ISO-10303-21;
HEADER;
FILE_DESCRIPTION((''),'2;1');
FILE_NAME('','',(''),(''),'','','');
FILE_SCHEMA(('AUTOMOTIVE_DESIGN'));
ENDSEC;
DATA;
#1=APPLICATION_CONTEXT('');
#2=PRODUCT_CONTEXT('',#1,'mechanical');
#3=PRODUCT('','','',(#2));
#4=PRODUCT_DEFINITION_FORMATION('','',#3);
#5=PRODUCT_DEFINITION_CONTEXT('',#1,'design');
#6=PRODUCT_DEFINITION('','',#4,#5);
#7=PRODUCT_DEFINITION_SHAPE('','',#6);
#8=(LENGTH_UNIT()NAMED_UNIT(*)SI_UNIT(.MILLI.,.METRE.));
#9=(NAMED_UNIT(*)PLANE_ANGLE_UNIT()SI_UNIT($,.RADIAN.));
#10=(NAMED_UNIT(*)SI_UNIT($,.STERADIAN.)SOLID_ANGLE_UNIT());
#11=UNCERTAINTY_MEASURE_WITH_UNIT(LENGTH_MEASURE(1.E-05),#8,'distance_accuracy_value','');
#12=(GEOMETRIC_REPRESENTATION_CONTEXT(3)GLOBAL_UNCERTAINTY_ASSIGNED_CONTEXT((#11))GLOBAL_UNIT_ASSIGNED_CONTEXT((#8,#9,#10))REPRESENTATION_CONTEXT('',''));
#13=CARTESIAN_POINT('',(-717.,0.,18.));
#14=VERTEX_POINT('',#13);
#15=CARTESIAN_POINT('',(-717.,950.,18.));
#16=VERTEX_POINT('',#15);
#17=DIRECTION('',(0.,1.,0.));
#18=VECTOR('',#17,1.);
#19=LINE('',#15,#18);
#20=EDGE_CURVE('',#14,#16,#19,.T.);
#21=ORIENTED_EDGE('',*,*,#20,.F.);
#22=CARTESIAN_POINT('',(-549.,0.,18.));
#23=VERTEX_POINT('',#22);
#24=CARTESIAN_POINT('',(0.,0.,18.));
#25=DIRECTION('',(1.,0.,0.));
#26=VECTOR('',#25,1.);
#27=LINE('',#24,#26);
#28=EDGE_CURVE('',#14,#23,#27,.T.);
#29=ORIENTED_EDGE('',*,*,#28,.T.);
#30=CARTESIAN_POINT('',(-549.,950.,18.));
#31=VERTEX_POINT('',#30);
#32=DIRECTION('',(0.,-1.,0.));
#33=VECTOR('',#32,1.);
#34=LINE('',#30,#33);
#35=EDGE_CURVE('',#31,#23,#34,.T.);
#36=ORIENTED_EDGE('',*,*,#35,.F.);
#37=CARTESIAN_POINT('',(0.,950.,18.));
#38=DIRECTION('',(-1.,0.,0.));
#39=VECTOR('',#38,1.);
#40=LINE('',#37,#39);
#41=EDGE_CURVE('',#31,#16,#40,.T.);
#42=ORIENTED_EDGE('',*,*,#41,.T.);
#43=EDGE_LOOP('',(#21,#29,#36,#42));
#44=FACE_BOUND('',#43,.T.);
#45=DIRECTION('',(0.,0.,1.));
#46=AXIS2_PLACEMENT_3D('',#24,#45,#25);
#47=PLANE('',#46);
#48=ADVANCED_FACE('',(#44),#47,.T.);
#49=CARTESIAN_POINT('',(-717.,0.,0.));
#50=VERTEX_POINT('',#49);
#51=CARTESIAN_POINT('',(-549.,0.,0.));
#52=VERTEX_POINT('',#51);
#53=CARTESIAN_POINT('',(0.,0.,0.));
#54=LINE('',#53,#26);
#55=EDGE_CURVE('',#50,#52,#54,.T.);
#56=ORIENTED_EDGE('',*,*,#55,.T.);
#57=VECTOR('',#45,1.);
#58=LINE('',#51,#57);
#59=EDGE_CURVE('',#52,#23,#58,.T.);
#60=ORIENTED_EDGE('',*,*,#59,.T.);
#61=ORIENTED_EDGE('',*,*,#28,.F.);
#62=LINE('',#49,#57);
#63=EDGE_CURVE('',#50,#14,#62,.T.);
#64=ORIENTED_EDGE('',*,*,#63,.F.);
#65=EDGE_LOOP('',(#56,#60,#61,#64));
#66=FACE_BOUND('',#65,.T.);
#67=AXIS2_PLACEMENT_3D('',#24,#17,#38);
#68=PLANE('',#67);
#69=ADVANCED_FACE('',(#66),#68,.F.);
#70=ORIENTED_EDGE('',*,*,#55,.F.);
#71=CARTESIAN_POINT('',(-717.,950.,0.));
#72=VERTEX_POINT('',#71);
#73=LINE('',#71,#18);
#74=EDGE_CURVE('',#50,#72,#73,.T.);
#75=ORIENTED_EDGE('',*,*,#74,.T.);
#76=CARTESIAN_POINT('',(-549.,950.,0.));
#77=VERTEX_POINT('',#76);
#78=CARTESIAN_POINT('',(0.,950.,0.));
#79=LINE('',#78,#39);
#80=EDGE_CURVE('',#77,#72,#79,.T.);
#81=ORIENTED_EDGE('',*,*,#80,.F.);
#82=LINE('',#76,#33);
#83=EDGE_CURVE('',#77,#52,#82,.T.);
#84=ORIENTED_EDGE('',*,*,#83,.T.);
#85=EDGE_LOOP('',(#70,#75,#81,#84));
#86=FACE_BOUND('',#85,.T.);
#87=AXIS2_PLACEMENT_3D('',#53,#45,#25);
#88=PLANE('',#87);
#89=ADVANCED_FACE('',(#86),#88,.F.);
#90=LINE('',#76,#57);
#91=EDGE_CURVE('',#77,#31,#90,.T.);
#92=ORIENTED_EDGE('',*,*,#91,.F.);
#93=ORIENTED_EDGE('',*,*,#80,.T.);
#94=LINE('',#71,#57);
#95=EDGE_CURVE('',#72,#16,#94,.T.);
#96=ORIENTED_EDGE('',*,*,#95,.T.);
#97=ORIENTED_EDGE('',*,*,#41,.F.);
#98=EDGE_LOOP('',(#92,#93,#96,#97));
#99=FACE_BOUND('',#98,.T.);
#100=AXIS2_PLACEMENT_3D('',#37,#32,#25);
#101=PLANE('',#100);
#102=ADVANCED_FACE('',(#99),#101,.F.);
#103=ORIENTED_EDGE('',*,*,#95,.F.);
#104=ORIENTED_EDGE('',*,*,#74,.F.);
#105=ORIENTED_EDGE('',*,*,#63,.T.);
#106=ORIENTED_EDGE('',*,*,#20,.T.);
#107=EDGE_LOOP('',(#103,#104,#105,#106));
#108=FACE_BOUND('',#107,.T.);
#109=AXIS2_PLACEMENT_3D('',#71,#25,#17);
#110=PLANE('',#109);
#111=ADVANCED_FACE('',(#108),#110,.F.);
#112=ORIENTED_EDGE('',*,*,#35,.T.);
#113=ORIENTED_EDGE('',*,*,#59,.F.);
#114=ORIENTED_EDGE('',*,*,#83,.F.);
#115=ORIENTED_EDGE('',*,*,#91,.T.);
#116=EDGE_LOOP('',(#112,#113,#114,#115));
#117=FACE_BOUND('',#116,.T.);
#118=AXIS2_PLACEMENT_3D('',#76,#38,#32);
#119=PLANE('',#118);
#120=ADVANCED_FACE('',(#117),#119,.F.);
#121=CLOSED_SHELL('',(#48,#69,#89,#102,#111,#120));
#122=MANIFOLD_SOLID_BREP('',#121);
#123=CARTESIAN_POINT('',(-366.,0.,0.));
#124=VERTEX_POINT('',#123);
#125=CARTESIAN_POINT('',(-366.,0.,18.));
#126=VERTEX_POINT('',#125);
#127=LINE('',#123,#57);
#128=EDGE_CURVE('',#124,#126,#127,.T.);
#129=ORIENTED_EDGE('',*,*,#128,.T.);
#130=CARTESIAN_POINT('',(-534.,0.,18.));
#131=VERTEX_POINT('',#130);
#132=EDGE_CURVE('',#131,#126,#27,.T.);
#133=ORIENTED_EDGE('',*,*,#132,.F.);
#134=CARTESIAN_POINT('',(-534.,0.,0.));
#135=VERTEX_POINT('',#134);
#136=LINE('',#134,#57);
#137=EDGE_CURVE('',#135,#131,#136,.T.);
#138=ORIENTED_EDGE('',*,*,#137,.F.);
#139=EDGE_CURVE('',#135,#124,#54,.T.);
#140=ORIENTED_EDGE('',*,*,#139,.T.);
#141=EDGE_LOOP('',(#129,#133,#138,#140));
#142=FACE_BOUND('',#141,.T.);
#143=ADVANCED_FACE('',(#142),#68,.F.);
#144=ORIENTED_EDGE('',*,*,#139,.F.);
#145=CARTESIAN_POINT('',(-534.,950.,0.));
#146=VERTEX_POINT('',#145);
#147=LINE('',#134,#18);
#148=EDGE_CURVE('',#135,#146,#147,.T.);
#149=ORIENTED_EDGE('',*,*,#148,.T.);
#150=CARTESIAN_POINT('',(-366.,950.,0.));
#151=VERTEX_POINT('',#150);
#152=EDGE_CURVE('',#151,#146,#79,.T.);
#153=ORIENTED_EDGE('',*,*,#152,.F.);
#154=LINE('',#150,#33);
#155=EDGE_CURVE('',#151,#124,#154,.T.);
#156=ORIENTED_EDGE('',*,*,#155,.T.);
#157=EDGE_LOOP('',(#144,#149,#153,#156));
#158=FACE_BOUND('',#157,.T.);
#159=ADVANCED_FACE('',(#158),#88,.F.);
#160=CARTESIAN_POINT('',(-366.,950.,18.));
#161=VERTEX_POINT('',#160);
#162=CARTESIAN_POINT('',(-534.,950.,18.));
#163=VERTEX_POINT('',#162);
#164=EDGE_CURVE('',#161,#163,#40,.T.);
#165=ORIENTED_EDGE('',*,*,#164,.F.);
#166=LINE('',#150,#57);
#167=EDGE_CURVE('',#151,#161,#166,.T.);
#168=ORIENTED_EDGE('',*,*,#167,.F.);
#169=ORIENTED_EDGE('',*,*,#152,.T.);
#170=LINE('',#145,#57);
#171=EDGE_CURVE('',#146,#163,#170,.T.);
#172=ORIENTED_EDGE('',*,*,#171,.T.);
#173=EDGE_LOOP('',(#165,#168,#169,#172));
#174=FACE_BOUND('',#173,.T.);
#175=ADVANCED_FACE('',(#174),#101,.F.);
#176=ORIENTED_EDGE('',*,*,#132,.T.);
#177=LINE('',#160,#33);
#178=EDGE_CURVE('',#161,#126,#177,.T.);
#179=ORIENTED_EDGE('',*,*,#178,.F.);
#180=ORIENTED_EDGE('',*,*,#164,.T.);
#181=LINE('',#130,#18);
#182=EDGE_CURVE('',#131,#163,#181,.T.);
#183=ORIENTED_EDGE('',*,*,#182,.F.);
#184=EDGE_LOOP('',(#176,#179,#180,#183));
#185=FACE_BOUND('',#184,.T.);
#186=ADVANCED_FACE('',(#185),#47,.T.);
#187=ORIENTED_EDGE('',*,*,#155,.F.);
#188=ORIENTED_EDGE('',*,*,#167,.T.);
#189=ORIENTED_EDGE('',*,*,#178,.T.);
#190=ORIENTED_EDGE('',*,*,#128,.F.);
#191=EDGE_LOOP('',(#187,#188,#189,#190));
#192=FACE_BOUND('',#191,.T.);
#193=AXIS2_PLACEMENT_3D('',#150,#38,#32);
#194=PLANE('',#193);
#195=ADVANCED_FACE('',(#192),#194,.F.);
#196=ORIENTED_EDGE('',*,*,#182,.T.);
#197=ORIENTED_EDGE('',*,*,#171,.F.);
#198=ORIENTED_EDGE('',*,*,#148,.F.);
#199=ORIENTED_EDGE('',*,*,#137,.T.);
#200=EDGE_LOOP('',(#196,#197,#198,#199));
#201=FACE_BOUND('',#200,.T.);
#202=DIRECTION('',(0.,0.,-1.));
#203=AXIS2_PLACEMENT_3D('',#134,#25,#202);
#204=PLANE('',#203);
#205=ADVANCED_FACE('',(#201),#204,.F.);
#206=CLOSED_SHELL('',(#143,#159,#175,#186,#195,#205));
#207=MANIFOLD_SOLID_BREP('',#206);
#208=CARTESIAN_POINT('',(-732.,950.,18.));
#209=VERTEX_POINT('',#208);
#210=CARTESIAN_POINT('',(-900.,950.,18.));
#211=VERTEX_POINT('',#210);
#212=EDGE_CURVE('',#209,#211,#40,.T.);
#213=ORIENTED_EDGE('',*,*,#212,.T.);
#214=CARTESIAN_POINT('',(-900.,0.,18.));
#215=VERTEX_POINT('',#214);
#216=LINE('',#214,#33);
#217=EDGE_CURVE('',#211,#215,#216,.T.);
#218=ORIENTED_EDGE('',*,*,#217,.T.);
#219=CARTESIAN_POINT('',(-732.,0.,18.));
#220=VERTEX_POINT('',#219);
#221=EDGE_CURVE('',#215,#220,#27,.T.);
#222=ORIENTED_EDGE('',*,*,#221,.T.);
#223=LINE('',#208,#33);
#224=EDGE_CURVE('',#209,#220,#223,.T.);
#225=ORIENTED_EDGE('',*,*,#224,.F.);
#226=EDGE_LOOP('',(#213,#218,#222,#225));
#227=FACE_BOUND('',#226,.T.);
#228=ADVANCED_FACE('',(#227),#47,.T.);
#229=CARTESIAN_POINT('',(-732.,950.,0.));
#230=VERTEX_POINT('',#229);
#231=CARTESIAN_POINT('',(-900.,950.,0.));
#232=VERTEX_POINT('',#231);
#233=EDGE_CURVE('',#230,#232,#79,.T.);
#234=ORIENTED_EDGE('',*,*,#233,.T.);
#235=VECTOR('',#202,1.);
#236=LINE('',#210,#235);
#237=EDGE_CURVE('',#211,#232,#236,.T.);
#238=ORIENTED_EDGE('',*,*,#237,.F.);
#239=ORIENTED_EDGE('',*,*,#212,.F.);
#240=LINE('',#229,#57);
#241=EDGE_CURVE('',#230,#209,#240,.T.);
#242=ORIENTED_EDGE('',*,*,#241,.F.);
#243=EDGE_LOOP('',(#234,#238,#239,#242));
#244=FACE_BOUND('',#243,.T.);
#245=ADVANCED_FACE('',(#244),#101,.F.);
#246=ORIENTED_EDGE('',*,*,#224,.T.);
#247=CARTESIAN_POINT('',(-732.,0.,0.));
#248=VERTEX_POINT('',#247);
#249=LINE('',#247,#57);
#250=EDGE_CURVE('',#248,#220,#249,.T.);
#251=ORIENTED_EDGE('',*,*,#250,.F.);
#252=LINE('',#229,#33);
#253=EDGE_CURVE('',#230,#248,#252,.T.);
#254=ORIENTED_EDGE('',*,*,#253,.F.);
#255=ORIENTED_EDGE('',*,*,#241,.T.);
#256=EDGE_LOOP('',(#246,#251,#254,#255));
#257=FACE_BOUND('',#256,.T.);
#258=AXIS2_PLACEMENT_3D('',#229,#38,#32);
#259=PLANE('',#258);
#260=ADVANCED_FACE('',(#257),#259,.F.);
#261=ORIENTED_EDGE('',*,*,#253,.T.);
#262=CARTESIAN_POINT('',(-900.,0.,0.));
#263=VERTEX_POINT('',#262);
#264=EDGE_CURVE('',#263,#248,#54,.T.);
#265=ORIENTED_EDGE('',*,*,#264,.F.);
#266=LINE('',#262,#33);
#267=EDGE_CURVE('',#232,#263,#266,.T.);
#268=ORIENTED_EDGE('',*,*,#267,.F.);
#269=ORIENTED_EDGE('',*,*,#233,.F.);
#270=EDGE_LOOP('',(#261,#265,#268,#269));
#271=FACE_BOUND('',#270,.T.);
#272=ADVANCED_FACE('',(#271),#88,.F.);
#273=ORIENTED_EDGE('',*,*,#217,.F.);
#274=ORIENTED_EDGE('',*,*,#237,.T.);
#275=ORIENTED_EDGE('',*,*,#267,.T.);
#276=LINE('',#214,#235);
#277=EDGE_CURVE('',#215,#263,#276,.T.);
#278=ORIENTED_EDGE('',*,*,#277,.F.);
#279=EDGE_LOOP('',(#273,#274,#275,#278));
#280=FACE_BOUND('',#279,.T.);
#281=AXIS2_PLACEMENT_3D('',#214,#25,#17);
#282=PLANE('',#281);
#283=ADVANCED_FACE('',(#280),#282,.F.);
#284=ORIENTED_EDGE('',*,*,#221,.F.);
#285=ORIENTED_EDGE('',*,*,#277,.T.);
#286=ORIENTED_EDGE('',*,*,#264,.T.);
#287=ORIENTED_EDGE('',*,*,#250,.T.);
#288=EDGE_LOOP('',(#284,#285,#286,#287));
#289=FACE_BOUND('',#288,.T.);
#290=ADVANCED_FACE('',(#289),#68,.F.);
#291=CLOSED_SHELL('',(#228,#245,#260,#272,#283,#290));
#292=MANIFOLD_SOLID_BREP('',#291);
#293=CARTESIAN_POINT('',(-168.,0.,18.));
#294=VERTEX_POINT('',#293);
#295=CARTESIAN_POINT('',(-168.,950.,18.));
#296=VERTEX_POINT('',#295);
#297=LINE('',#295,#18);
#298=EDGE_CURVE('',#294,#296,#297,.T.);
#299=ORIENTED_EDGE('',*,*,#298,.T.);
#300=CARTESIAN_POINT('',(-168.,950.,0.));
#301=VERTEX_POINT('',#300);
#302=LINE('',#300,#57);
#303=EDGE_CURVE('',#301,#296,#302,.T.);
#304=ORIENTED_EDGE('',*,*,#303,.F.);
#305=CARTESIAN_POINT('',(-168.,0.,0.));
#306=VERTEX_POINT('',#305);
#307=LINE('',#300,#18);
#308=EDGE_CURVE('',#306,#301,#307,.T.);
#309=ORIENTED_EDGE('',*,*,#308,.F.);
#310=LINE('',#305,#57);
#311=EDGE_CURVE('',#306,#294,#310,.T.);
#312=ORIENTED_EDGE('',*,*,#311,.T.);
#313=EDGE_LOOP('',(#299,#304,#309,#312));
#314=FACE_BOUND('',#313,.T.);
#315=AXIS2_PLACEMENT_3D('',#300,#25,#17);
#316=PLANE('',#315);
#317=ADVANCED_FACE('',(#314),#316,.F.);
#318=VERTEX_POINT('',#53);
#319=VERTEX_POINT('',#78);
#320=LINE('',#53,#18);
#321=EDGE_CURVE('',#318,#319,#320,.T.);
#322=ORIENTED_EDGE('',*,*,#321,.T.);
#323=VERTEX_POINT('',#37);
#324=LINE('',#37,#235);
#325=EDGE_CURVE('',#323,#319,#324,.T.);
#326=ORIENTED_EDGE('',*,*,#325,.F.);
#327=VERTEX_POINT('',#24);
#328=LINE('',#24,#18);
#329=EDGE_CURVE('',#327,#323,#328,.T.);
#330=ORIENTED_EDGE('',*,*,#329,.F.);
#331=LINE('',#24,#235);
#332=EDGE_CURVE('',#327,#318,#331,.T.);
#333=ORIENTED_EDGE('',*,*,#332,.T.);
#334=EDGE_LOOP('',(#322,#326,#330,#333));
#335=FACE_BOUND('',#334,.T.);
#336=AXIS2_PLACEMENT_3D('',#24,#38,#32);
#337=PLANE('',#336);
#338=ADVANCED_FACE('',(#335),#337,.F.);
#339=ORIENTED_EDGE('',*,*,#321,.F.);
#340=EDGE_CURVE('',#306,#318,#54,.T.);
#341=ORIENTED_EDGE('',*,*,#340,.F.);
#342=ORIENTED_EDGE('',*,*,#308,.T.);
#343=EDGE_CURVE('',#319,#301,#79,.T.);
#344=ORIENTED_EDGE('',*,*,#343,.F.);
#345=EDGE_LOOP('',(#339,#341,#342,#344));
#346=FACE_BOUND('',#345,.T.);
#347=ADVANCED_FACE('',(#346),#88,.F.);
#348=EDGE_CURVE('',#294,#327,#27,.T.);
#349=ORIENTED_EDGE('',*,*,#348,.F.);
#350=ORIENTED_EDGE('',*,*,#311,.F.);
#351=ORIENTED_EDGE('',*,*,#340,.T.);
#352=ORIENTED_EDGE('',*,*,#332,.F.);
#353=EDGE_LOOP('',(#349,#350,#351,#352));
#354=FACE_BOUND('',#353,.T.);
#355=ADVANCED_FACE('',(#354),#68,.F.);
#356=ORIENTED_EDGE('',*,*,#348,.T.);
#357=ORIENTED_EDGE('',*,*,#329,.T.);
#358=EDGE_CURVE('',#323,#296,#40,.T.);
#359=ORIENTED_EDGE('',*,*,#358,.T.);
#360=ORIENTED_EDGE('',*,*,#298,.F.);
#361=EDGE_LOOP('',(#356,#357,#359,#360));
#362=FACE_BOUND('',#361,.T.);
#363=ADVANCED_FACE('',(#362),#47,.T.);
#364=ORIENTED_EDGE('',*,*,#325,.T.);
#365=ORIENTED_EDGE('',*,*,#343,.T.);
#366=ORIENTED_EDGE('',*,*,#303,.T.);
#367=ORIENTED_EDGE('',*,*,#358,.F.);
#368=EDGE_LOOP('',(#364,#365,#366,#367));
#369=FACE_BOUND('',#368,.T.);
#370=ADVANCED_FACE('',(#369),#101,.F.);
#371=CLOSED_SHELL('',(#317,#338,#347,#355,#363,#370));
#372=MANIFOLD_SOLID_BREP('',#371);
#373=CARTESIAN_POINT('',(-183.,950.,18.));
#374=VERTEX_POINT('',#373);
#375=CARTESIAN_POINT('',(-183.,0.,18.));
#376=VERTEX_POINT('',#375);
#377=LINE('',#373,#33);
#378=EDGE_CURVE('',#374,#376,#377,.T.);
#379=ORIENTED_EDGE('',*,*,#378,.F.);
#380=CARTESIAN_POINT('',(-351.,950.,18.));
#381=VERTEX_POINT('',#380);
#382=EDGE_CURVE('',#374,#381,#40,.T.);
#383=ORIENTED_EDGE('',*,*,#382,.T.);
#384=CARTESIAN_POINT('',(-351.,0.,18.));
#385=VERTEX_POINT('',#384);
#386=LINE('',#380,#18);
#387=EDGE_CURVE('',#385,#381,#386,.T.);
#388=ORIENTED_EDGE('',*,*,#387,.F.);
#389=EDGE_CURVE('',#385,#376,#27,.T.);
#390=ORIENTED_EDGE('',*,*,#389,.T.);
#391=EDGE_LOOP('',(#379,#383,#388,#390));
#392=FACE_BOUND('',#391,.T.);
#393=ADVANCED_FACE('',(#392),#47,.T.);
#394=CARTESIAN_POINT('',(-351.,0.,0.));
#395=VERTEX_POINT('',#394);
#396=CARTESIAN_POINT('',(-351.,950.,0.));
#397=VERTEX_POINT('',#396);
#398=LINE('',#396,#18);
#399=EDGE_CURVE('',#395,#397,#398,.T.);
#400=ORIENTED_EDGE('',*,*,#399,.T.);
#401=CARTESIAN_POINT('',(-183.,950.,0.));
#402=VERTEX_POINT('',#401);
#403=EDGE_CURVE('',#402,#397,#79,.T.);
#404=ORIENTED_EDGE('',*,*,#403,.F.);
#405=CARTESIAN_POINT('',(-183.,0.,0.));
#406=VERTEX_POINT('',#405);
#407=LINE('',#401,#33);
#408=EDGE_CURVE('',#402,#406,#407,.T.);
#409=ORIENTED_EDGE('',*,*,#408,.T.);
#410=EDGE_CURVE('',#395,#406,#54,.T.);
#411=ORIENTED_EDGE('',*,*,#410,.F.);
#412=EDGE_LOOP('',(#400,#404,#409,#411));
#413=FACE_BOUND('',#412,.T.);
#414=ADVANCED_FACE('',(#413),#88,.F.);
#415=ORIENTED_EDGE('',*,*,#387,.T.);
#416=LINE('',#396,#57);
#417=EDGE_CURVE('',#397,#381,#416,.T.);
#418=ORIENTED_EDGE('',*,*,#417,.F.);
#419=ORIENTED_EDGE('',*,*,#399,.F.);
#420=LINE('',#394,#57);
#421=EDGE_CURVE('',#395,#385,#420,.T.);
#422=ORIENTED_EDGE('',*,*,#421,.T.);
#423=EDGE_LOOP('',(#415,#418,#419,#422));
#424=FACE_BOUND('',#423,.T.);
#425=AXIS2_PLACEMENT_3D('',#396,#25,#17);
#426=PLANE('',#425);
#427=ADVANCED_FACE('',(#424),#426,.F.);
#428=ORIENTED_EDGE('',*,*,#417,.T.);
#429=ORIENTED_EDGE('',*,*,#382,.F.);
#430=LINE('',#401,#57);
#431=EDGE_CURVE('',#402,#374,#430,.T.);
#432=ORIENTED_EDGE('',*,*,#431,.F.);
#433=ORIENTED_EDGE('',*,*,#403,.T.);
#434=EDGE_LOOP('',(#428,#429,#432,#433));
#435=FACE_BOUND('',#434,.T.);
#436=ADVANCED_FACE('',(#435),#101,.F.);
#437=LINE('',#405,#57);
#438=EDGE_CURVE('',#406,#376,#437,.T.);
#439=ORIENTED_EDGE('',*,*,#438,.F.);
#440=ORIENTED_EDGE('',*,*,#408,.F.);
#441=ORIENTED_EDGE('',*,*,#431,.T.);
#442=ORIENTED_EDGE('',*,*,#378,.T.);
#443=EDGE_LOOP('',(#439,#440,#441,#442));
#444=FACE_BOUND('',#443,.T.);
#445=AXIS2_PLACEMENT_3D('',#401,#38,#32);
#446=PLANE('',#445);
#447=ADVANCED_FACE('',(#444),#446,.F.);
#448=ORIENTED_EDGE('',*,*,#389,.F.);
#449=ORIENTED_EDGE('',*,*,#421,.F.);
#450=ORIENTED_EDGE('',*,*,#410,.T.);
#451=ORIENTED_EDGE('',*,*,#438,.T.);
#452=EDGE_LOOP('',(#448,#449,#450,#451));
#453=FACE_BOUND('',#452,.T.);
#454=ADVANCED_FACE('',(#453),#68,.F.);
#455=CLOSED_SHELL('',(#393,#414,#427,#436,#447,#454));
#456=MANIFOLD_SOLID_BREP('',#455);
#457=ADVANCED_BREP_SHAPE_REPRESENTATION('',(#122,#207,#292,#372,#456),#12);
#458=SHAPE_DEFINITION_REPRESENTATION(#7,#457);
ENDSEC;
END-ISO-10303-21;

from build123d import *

# Parameters (mm, degrees)
CROQUIS1_W              = 900
CROQUIS1_H              = 950
SALIENTE_EXTRUIR1_DEPTH = 18
CROQUIS2_W              = 15
CROQUIS2_H              = 950
CORTAR_EXTRUIR1_DEPTH   = 18


with BuildPart() as part:
    # Croquis1 → Saliente-Extruir1 (new body)
    with BuildSketch(Plane.XY):
        with Locations((-450, 475)):
            Rectangle(CROQUIS1_W, CROQUIS1_H)
    extrude(amount=SALIENTE_EXTRUIR1_DEPTH)

    # Croquis2 → Cortar-Extruir1 (cut)
    with BuildSketch(Plane.XY.offset(18)):
        with Locations((-724.5, 475)):
            Rectangle(CROQUIS2_W, CROQUIS2_H)
        with Locations((-175.5, 475)):
            Rectangle(CROQUIS2_W, CROQUIS2_H)
        with Locations((-358.5, 475)):
            Rectangle(CROQUIS2_W, CROQUIS2_H)
        with Locations((-541.5, 475)):
            Rectangle(CROQUIS2_W, CROQUIS2_H)
    extrude(amount=-CORTAR_EXTRUIR1_DEPTH, mode=Mode.SUBTRACT)


solid = part.part
